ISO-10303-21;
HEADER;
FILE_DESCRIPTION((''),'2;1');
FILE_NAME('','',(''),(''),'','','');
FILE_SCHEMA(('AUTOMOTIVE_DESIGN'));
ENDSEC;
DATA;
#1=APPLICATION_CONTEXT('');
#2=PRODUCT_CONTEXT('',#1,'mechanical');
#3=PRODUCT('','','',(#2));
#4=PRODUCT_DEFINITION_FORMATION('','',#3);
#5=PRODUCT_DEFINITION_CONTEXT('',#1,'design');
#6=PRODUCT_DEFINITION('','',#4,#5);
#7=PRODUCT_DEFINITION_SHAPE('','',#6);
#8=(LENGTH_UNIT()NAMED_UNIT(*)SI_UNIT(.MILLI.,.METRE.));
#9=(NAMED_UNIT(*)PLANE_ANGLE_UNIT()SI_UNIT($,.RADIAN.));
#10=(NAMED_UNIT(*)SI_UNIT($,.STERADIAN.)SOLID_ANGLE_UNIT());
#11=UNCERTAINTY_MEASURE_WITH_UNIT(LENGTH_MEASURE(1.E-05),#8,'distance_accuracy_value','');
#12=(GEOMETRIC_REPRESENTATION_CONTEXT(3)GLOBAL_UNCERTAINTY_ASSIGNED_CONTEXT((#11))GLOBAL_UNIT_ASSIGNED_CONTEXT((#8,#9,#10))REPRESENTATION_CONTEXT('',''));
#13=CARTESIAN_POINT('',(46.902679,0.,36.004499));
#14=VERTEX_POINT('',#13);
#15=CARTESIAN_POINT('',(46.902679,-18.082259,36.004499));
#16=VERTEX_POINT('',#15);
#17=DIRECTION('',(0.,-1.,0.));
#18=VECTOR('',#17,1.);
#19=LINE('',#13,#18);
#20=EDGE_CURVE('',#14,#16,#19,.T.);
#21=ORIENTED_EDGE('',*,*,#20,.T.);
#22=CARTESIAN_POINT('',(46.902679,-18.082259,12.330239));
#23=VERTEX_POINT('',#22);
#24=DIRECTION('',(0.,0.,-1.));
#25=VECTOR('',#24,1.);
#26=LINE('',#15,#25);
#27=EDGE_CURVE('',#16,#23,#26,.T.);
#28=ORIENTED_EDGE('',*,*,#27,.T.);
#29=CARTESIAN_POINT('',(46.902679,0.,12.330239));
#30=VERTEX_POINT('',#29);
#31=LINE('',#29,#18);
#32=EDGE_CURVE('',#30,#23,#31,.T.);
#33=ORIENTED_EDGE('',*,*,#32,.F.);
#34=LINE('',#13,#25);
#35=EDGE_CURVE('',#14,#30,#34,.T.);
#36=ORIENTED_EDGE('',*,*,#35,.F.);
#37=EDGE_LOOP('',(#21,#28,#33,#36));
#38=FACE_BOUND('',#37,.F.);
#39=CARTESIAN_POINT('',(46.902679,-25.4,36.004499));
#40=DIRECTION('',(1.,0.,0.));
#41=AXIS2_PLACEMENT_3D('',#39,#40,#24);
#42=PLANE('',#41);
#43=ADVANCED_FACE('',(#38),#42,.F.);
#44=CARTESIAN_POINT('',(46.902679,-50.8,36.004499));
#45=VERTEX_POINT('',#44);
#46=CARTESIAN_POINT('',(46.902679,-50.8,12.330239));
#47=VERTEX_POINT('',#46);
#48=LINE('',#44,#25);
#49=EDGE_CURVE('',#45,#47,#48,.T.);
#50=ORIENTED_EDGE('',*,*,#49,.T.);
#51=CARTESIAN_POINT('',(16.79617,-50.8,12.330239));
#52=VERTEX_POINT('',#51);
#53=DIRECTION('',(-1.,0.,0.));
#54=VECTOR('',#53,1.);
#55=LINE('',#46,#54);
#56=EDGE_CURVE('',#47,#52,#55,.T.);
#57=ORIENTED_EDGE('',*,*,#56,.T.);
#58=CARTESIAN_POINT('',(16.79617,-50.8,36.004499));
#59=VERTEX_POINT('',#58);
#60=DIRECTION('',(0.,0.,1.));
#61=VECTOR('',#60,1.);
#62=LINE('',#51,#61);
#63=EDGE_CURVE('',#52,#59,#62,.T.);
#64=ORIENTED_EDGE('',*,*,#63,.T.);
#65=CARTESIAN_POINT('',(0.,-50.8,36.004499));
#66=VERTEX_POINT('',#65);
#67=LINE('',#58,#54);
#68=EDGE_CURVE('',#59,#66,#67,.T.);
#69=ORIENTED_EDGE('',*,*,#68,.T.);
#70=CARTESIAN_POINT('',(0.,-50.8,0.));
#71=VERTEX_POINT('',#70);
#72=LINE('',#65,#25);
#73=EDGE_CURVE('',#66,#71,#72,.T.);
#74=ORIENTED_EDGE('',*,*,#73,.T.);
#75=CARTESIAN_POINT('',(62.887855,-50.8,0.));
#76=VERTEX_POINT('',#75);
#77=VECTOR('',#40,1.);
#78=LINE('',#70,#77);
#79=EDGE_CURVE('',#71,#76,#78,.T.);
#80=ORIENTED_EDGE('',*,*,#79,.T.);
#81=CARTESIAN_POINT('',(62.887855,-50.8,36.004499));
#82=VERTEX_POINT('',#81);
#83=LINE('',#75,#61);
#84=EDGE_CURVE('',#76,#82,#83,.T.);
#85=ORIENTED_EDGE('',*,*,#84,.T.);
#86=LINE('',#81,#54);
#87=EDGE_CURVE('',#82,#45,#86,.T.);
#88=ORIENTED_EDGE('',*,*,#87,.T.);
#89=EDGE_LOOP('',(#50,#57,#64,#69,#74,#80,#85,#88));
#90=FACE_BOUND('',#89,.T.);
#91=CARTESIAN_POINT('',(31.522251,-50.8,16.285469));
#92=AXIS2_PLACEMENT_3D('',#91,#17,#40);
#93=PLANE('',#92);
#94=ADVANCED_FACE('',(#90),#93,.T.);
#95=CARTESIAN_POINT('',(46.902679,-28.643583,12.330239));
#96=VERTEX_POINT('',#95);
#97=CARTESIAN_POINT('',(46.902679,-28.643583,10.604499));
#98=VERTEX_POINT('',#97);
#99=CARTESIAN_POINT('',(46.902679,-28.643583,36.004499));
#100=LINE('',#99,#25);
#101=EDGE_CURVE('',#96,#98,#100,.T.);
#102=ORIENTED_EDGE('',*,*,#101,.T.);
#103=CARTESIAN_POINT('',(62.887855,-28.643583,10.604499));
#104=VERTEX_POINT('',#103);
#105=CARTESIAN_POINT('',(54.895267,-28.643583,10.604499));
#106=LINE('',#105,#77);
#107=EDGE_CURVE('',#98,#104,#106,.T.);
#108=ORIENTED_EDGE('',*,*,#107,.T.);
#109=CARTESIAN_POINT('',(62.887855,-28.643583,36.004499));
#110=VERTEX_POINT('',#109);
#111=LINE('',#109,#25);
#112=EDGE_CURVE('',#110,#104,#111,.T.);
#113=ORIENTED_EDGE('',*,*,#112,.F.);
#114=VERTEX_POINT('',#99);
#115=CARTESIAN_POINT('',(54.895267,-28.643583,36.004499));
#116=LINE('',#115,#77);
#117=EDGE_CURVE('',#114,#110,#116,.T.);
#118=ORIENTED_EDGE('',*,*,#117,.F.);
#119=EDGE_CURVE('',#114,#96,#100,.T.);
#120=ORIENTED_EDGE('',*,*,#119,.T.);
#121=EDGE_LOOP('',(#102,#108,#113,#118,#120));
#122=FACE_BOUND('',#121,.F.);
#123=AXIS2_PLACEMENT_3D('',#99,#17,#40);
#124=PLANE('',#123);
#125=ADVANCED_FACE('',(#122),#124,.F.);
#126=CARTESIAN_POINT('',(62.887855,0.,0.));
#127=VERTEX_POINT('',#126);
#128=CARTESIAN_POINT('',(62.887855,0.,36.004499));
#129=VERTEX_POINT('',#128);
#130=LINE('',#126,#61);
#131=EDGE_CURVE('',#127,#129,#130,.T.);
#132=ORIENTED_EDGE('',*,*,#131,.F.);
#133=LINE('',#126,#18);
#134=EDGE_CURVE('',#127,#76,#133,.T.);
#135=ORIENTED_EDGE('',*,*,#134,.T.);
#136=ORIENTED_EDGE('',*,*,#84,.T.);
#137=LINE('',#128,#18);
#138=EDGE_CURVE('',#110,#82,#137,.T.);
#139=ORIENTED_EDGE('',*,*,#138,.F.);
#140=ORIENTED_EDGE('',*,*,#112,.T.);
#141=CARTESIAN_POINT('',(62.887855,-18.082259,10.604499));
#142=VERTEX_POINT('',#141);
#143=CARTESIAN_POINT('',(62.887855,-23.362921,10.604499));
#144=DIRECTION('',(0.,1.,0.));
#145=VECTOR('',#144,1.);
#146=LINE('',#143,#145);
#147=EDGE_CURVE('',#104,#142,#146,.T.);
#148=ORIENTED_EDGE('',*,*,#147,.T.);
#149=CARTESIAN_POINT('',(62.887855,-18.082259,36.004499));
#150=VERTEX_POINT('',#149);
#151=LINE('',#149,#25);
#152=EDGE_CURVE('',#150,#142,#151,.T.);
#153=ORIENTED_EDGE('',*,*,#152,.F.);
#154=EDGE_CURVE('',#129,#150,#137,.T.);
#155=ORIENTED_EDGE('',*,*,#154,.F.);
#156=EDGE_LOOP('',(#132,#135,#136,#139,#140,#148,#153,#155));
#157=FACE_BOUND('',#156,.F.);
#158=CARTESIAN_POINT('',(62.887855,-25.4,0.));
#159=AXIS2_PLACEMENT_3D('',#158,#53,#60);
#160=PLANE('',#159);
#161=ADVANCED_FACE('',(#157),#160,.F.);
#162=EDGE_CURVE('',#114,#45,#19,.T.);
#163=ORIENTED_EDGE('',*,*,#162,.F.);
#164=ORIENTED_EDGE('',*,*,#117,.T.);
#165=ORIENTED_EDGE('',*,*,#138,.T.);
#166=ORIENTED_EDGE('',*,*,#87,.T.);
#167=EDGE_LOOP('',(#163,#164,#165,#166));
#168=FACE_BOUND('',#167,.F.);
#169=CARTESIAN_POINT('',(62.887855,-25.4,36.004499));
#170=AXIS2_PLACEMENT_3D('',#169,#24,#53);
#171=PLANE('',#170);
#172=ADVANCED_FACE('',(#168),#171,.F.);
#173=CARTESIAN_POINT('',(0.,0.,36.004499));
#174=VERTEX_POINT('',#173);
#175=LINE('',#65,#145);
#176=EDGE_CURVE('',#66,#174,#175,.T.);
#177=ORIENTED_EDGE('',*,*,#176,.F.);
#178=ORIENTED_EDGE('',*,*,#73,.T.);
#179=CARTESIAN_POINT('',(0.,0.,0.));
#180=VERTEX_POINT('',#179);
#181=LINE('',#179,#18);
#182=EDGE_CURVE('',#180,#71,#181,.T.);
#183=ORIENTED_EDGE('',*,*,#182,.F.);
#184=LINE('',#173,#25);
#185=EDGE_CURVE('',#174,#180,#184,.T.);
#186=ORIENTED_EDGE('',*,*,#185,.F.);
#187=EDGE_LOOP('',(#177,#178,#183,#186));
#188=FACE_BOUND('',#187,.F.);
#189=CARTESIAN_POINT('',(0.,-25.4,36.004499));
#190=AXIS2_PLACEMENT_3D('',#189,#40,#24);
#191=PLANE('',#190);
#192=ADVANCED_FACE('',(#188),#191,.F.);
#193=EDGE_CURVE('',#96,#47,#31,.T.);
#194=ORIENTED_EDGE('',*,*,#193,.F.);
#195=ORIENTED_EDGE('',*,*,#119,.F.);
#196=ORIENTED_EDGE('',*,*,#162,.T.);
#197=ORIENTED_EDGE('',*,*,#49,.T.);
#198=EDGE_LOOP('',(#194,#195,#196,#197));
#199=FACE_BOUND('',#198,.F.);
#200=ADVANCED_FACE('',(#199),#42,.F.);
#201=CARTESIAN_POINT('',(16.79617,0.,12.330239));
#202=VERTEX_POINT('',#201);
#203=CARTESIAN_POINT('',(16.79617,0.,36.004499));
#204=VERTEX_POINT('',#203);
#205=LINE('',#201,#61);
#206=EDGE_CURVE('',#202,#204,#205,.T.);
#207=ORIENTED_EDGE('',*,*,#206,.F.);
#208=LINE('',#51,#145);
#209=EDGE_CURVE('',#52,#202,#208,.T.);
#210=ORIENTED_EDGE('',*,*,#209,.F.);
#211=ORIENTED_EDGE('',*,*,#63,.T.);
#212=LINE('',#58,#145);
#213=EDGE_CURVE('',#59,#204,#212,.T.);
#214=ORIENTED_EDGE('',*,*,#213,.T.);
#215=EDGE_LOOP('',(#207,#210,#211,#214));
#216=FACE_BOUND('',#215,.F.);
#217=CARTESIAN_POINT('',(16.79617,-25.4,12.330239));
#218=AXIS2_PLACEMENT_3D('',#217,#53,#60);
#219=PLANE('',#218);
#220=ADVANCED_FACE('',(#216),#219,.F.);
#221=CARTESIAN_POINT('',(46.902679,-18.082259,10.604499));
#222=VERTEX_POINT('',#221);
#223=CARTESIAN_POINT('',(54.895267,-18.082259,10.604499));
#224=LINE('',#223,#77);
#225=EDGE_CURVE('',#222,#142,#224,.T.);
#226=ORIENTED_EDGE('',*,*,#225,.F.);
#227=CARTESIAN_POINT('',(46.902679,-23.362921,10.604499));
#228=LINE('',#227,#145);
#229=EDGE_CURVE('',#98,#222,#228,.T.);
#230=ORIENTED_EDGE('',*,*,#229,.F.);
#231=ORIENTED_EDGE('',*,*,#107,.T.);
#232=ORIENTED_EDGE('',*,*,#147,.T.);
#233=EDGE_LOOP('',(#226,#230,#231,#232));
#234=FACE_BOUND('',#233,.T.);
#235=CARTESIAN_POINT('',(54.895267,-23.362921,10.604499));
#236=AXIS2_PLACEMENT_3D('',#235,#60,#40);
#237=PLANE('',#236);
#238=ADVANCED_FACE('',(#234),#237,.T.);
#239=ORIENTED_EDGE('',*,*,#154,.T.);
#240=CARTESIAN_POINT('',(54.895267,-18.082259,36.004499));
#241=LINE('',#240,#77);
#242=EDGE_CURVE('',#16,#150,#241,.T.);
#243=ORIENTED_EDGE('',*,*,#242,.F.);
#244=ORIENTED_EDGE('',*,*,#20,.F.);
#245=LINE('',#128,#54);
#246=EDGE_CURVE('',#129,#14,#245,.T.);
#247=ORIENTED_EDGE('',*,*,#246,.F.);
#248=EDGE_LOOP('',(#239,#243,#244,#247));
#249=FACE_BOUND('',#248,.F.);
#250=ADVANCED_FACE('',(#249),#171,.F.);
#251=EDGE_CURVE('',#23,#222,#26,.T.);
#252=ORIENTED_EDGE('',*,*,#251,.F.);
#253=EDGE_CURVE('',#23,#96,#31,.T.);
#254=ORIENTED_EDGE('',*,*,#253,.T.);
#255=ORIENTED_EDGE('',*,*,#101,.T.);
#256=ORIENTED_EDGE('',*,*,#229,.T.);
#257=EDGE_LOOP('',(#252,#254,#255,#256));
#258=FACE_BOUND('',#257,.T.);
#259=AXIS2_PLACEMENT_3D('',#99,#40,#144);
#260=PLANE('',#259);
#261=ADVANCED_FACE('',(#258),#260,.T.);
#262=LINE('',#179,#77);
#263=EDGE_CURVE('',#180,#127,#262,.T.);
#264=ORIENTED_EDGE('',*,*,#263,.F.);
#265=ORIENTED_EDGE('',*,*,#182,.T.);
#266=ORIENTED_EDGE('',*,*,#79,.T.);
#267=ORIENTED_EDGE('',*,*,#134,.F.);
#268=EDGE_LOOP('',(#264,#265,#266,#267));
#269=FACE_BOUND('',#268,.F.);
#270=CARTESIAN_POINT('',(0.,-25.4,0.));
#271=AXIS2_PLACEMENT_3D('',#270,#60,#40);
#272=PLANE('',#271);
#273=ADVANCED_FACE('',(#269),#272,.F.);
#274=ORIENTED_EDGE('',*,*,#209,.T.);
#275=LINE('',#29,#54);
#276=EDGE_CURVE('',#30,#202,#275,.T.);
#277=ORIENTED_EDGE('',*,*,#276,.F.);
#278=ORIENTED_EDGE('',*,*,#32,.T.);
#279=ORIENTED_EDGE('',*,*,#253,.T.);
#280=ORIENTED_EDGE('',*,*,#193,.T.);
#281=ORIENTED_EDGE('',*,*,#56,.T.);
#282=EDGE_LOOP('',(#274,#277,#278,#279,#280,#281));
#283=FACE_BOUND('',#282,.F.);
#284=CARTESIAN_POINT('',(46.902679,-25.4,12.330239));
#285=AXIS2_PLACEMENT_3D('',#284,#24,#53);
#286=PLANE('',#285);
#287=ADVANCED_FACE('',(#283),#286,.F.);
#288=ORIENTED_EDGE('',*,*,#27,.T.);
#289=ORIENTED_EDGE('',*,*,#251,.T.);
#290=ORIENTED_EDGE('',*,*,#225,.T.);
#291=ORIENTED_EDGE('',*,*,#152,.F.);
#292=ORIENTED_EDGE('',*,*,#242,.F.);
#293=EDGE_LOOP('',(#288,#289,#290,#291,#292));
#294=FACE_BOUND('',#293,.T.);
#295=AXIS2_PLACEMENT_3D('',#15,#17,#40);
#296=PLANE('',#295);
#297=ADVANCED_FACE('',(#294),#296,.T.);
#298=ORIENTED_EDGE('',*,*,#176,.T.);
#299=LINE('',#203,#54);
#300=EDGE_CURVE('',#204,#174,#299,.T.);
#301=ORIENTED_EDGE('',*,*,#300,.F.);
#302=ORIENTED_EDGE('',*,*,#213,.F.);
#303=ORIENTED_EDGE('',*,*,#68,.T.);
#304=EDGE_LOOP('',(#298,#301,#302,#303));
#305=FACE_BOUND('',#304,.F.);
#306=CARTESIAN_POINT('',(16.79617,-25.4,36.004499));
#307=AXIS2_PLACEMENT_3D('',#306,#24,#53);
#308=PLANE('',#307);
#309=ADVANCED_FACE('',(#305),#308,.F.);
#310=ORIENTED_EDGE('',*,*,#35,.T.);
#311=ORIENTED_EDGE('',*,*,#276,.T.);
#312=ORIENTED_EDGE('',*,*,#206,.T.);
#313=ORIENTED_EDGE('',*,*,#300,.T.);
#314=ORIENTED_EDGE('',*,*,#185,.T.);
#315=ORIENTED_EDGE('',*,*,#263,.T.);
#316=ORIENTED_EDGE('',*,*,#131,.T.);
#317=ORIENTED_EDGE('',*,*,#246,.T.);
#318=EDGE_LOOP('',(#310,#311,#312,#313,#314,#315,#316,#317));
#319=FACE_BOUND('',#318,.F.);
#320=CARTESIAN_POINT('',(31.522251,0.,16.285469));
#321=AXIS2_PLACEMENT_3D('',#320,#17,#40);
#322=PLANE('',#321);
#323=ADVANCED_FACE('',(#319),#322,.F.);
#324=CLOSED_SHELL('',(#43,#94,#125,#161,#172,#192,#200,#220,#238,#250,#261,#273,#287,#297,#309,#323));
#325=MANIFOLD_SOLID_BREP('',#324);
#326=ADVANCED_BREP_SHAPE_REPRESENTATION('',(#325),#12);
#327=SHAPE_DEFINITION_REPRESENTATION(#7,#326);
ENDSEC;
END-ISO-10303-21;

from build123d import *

# Parameters (mm, degrees)
F1_DEPTH = 25.4
F2_DEPTH = 25.4
F3_W     = 15.985176
F3_H     = 10.561323
F4_DEPTH = 25.4


with BuildPart() as f1:
    # F0 (on Front) → F1 (new body)
    with BuildSketch(Plane.XZ):
        Polygon((0, 36.004499), (0, 0), (62.887855, 0), (62.887855, 36.004499), (46.902679, 36.004499), (46.902679, 12.330239), (16.79617, 12.330239), (16.79617, 36.004499), align=None)
    extrude(amount=F1_DEPTH)

    # F1_face (on face) → F2 (join)
    with BuildSketch(Plane(origin=(31.257644, -25.4, 15.170026), x_dir=(1, 0, 0), z_dir=(0, -1, 0))):
        Polygon((-31.257644, 20.834473), (-31.257644, -15.170026), (31.630211, -15.170026), (31.630211, 20.834473), (15.645035, 20.834473), (15.645035, -2.839787), (-14.461474, -2.839787), (-14.461474, 20.834473), align=None)
    extrude(amount=F2_DEPTH)

    # F3 (on face) → F4 (cut)
    with BuildSketch(Plane.XY.offset(36.004499)):
        with Locations((54.895267, -23.362921)):
            Rectangle(F3_W, F3_H)
    extrude(amount=-F4_DEPTH, mode=Mode.SUBTRACT)


solid = f1.part
